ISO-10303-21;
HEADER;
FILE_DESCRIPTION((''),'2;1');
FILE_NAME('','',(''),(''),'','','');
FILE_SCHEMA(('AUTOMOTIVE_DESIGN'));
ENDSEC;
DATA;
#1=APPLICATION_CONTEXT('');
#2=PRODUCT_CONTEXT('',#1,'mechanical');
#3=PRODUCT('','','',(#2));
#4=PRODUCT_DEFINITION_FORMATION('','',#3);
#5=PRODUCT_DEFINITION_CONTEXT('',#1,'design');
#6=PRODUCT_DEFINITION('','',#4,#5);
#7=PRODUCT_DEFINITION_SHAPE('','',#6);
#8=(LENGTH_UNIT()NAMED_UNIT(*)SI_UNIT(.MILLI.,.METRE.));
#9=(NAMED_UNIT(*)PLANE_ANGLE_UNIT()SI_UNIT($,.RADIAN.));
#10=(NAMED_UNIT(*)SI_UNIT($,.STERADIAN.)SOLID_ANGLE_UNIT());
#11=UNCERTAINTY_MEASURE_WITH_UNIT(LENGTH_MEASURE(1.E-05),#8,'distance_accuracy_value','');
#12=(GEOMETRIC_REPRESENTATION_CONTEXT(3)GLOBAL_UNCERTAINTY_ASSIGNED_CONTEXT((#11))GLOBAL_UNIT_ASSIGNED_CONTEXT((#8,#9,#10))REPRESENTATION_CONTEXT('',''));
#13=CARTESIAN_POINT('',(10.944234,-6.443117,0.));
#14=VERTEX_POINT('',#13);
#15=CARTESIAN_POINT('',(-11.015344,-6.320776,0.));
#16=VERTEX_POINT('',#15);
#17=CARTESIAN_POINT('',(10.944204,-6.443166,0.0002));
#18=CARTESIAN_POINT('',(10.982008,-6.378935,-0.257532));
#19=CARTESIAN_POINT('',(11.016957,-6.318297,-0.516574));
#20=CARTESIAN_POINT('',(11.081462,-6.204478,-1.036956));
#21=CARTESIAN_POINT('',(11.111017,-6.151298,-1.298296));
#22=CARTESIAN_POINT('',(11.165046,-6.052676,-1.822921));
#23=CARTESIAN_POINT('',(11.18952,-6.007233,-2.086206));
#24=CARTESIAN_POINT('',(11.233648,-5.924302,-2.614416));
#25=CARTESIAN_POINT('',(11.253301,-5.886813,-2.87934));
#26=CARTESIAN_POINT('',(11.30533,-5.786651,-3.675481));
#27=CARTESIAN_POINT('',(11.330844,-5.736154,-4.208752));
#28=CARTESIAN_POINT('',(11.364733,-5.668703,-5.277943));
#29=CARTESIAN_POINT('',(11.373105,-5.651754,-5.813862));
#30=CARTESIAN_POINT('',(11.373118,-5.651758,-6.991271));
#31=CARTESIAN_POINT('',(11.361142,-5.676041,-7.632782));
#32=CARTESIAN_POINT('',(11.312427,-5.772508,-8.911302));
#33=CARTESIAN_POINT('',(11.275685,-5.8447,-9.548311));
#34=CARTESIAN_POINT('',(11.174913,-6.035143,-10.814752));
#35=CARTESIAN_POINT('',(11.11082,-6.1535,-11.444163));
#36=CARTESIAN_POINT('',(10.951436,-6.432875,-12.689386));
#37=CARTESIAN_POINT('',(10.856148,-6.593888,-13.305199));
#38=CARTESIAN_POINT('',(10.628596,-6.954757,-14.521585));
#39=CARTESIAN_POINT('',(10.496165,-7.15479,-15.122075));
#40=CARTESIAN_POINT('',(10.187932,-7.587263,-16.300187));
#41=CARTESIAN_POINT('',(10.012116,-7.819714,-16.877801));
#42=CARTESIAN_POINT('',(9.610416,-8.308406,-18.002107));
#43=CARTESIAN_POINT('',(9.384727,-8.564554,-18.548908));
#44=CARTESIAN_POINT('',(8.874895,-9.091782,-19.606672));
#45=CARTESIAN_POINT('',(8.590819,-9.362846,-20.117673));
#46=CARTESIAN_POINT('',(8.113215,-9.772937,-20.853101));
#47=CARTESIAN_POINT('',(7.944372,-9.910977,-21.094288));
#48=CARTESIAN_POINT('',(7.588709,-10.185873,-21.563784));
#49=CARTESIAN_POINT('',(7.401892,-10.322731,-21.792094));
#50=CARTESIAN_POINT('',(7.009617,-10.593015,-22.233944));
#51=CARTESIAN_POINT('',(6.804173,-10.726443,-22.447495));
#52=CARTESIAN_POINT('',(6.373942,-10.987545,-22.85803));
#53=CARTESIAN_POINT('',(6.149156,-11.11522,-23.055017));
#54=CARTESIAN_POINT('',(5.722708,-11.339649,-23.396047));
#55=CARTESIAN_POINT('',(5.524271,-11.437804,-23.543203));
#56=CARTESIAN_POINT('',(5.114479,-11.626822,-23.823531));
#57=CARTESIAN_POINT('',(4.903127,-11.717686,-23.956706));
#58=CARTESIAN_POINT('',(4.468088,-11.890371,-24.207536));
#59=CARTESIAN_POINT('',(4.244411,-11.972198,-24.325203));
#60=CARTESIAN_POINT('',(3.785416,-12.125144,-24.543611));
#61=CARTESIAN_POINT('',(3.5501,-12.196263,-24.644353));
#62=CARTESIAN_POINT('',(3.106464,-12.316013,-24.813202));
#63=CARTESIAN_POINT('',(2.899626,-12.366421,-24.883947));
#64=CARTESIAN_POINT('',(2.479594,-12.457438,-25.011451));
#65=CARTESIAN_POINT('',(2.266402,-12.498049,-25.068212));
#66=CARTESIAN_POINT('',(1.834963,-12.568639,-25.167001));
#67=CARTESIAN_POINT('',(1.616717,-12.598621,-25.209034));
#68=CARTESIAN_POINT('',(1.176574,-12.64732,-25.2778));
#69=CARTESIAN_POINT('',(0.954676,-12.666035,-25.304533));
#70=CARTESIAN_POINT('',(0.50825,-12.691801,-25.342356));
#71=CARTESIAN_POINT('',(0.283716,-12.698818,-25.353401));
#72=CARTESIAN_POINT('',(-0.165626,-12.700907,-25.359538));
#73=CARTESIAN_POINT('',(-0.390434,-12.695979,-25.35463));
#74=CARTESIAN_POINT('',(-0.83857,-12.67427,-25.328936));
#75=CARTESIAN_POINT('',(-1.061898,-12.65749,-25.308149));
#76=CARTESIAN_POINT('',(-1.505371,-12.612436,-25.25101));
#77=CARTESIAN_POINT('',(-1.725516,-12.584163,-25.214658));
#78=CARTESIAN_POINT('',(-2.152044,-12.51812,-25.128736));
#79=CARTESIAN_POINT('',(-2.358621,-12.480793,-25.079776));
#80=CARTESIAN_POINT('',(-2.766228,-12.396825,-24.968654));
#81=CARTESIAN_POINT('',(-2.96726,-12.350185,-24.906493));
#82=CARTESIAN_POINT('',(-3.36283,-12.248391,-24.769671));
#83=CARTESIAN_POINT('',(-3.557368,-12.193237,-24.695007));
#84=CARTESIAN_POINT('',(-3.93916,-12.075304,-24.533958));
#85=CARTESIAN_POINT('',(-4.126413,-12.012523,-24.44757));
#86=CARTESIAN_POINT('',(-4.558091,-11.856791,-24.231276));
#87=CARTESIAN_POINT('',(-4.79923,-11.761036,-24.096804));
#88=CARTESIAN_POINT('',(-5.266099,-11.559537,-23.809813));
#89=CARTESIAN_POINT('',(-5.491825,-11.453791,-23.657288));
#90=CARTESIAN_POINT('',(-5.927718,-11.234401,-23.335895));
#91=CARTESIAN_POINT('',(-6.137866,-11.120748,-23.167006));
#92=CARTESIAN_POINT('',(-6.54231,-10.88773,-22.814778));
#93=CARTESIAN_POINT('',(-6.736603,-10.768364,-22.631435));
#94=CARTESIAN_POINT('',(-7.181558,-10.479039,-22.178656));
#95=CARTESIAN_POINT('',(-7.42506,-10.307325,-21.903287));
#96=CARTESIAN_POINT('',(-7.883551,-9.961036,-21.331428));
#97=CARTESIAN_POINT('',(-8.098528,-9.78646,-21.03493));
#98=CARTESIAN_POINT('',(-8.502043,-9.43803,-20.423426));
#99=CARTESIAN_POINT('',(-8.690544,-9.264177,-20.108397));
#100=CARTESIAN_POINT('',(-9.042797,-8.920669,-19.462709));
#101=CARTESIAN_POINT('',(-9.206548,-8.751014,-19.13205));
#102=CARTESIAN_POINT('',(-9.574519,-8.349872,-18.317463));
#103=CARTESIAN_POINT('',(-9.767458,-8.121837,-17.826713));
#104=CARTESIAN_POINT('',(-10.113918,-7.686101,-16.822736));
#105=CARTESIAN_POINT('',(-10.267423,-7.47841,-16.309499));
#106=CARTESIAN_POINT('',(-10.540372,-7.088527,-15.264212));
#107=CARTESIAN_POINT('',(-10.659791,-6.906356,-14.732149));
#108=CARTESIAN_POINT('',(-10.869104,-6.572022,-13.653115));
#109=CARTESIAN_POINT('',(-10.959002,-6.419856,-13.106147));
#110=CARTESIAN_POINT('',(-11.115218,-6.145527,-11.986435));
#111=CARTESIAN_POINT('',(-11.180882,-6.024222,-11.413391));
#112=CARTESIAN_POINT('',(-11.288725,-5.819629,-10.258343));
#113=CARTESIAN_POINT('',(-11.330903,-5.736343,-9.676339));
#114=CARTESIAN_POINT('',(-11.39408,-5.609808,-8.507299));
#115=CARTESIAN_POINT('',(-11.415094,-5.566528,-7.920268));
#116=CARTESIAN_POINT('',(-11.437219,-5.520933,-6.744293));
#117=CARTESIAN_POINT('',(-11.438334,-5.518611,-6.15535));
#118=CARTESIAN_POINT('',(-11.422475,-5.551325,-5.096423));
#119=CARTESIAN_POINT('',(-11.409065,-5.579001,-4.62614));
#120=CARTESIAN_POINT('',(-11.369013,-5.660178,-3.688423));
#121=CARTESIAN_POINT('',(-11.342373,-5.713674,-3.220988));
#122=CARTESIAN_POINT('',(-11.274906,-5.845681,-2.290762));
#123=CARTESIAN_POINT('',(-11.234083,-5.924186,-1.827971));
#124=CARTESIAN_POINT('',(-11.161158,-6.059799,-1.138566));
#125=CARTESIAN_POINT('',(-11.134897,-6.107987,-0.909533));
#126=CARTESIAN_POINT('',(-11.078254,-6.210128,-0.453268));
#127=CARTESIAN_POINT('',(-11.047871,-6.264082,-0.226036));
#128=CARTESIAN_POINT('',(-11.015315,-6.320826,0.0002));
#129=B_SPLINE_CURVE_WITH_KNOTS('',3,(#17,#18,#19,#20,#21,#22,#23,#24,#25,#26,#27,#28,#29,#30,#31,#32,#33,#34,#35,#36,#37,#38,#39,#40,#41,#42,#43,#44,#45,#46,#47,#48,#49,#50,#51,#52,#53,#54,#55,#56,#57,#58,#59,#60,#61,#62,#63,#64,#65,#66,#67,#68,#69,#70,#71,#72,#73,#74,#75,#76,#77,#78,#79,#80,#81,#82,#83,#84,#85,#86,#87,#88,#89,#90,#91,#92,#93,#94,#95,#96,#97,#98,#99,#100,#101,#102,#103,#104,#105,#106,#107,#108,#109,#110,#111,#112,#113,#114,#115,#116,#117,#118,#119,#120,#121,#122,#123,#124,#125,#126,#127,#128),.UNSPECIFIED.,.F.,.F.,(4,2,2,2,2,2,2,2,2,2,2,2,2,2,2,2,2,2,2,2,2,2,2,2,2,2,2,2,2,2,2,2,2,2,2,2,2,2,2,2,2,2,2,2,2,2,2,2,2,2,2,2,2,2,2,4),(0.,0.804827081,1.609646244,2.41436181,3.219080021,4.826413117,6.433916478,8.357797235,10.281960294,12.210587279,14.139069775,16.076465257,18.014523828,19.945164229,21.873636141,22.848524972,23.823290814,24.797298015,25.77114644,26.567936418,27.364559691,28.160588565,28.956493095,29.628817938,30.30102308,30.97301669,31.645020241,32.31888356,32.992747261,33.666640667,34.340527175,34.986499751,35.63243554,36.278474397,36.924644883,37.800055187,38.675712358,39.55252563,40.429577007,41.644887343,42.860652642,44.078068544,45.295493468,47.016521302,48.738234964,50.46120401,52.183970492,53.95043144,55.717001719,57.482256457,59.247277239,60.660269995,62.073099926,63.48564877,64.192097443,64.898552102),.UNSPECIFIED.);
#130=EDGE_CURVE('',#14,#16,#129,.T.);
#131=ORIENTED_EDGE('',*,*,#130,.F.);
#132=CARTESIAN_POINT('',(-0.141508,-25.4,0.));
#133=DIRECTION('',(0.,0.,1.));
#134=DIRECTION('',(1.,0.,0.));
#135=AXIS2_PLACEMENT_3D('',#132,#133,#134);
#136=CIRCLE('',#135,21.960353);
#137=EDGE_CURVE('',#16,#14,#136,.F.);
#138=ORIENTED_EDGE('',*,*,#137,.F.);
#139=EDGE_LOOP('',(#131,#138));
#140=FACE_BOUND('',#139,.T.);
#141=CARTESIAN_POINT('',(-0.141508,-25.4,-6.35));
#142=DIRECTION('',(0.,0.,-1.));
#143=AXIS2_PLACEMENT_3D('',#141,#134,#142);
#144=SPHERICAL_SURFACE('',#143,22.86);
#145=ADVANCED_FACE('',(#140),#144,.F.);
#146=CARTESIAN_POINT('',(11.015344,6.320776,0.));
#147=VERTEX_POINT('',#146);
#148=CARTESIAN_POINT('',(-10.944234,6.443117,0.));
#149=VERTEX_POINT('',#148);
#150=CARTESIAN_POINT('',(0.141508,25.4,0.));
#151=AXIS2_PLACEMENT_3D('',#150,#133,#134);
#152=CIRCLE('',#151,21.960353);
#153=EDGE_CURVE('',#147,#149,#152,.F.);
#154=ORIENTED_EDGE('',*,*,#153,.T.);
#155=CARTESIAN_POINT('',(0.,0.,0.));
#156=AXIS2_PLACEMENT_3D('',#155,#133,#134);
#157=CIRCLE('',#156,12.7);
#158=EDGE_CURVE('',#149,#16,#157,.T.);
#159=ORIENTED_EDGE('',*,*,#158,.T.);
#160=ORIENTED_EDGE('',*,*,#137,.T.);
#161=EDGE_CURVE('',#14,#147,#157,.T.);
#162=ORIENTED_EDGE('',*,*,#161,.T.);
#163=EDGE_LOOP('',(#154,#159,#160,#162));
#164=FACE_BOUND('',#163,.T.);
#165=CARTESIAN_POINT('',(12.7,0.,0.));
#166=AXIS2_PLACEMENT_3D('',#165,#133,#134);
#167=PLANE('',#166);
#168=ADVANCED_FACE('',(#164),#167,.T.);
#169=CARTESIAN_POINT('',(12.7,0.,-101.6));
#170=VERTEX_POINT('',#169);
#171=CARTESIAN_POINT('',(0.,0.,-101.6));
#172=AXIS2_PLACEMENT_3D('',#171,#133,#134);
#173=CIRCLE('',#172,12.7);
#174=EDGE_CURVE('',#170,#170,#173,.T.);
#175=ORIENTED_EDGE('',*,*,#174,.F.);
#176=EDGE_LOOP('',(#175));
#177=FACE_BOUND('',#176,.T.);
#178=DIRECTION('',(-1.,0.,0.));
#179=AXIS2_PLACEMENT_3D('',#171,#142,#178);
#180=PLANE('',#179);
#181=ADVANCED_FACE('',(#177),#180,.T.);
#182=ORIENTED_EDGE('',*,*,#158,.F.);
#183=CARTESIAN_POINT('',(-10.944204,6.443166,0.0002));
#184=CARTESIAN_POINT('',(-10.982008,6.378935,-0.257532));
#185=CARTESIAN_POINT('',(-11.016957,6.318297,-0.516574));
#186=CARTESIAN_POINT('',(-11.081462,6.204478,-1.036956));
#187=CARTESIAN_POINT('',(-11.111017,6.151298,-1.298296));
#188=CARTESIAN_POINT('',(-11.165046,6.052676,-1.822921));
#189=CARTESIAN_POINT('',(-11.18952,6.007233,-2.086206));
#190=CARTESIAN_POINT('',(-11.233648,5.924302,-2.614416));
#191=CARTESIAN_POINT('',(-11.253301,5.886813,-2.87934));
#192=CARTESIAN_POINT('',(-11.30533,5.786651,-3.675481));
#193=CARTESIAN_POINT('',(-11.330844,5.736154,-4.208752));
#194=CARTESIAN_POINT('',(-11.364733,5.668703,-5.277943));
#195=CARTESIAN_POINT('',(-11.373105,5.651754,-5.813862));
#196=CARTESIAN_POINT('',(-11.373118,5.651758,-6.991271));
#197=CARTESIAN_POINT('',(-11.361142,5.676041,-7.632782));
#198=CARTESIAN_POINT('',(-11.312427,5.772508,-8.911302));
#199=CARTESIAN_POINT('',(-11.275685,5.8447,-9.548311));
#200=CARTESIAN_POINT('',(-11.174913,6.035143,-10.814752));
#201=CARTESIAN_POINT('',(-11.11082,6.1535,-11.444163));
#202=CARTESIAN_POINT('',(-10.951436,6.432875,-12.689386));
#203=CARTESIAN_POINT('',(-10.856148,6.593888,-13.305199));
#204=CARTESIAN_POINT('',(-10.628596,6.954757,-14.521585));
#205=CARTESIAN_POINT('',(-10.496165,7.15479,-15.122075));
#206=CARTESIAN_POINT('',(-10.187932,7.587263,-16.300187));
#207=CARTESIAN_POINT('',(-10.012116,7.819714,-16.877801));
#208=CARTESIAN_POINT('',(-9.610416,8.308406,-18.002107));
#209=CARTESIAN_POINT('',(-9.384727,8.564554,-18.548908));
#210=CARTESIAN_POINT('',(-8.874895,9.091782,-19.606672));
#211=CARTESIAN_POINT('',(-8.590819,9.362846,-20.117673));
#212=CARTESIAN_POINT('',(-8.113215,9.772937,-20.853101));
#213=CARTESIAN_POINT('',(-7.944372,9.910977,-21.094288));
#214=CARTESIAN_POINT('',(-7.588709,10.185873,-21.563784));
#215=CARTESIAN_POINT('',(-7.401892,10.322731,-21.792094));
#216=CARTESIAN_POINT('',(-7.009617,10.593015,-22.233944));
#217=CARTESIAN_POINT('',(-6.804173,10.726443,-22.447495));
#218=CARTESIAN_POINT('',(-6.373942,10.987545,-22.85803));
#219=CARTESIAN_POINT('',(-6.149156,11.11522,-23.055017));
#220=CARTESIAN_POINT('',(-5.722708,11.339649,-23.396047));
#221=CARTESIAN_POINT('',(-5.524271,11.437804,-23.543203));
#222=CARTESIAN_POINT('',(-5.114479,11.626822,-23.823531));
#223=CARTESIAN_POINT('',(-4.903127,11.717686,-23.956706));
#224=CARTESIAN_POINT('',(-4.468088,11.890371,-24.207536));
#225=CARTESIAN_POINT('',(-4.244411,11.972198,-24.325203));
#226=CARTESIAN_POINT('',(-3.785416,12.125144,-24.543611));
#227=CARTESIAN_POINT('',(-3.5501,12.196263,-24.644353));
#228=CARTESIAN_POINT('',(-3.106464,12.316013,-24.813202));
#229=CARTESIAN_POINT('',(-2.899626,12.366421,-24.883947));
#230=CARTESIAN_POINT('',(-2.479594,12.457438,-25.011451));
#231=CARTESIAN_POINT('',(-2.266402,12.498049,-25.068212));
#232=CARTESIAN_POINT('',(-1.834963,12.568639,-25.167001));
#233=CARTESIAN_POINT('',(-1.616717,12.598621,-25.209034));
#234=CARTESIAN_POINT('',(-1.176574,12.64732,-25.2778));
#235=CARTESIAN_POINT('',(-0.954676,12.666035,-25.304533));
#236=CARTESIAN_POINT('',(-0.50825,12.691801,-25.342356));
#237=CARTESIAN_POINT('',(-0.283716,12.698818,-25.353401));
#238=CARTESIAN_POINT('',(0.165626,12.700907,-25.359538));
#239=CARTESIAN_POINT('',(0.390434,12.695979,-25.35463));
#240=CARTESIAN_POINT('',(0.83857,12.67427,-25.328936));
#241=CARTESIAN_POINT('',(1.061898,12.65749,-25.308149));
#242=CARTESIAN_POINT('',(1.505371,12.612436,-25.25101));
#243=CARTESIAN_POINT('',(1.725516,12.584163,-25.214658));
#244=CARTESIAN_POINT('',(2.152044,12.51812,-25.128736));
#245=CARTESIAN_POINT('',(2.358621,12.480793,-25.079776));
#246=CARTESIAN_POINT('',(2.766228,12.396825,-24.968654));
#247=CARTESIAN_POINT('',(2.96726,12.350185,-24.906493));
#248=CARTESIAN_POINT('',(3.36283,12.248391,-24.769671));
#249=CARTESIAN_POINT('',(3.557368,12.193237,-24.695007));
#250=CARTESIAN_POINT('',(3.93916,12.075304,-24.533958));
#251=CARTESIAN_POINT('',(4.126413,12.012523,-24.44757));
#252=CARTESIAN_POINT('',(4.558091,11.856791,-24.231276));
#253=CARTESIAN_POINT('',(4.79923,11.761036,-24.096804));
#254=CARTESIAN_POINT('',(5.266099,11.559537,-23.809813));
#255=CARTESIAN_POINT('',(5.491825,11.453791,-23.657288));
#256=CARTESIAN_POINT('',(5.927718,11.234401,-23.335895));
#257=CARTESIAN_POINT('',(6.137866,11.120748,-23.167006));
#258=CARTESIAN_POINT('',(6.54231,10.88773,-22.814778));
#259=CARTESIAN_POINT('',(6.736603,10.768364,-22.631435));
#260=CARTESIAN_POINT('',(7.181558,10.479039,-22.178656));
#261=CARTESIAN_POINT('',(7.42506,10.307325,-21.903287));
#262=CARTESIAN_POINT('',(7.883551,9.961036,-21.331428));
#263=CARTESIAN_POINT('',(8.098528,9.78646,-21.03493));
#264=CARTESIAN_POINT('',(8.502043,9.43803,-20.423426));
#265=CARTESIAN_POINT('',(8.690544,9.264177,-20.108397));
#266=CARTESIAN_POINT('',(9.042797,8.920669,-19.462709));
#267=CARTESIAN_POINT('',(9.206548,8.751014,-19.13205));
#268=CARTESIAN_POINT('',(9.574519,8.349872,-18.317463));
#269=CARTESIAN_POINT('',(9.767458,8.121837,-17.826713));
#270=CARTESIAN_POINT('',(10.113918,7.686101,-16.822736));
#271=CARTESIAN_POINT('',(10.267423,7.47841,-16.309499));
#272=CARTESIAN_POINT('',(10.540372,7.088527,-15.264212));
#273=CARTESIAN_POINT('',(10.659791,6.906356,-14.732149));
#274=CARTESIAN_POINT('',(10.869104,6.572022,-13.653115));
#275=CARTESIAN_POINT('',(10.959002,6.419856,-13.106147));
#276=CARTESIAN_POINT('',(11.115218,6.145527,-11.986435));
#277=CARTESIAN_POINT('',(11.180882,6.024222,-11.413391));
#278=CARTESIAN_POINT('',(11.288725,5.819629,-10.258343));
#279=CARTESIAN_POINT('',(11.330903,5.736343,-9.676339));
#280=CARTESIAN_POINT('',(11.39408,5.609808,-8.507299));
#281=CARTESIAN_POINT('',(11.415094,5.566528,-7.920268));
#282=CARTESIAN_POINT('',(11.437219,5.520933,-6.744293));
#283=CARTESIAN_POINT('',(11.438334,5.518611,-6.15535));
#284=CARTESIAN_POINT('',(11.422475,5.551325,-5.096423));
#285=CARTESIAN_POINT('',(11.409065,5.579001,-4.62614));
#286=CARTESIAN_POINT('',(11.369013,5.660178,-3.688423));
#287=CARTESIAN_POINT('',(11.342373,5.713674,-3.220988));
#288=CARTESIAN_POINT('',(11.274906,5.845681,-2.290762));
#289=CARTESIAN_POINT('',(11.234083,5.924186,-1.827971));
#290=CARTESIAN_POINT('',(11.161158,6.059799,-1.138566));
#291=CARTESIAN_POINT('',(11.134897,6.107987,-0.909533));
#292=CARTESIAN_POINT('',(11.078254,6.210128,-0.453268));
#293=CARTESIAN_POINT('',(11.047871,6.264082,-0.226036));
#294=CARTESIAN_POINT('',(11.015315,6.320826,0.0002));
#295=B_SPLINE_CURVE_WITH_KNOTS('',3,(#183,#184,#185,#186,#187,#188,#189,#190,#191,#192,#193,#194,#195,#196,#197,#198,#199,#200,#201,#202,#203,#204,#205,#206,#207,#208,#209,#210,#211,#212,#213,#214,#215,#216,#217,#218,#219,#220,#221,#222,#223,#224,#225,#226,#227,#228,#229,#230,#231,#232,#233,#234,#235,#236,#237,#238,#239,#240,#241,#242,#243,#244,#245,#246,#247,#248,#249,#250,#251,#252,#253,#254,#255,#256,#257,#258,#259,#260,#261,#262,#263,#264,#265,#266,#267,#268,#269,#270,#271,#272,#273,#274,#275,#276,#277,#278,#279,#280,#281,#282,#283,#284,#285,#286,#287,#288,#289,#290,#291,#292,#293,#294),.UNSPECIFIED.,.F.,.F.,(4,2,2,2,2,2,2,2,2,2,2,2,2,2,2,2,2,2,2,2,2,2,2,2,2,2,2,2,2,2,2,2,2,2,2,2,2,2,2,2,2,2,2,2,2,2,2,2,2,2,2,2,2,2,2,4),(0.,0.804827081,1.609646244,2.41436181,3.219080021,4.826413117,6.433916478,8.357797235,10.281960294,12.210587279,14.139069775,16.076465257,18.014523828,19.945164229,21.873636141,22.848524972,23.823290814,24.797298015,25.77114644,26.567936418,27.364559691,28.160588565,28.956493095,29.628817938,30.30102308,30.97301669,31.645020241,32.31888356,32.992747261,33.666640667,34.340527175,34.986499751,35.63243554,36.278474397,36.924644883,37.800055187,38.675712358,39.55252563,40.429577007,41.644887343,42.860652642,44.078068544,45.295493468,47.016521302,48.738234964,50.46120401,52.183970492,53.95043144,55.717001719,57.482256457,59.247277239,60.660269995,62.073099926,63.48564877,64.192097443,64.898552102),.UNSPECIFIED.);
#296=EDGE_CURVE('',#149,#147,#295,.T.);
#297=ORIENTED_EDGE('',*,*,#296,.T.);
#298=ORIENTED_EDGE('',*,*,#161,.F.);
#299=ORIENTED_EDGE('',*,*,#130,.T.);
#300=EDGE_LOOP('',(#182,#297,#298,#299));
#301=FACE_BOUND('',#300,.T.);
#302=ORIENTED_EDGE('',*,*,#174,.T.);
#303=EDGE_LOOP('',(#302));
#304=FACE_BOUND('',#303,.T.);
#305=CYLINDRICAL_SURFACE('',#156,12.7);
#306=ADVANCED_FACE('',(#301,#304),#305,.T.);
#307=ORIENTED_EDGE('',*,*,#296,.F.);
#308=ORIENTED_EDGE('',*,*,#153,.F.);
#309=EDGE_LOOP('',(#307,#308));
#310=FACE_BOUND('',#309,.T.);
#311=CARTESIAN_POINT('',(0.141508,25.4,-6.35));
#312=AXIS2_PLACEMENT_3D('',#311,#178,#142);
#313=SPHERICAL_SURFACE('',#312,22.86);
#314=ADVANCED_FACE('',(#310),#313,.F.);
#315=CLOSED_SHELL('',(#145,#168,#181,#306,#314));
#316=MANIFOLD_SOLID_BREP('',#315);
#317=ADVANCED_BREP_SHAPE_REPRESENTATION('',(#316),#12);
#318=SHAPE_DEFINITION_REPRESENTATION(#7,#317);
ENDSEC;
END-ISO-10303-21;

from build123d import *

# Parameters (mm, degrees)
SKETCH1_W = 12.7
SKETCH1_H = 101.6


with BuildPart() as part:
    # Sketch1 → Revolve1 (revolve)
    with BuildSketch(Plane(origin=(0, 0, 0), x_dir=(1, 0, 0), z_dir=(0, 1, 0))):
        with Locations((6.35, 50.8)):
            Rectangle(SKETCH1_W, SKETCH1_H)
    revolve(axis=Axis((0, 0, 0), (0, 0, -1)))

    # Sketch5 → Cut-Revolve1 (revolve, cut)
    with BuildSketch(Plane(origin=(0, 25.4, 0), x_dir=(-1, 0, 0), z_dir=(0, -1, 0))):
        with BuildLine():
            Line((22.718491956, 6.35), (-23.001508044, 6.35))
            ThreePointArc((-23.001508044, 6.35), (-0.141508044, -16.51), (22.718491956, 6.35))
        make_face()
    revolve(axis=Axis((-22.718491956, 25.4, -6.35), (1, 0, 0)), mode=Mode.SUBTRACT)

    # Sketch6 → Cut-Revolve2 (revolve, cut)
    with BuildSketch(Plane(origin=(0, -25.4, 0), x_dir=(1, 0, 0), z_dir=(0, 1, 0))):
        with BuildLine():
            Line((22.718491956, 6.35), (-23.001508044, 6.35))
            ThreePointArc((-23.001508044, 6.35), (-0.141508044, -16.51), (22.718491956, 6.35))
        make_face()
    revolve(axis=Axis((22.718491956, -25.4, -6.35), (-1, 0, 0)), mode=Mode.SUBTRACT)


solid = part.part
